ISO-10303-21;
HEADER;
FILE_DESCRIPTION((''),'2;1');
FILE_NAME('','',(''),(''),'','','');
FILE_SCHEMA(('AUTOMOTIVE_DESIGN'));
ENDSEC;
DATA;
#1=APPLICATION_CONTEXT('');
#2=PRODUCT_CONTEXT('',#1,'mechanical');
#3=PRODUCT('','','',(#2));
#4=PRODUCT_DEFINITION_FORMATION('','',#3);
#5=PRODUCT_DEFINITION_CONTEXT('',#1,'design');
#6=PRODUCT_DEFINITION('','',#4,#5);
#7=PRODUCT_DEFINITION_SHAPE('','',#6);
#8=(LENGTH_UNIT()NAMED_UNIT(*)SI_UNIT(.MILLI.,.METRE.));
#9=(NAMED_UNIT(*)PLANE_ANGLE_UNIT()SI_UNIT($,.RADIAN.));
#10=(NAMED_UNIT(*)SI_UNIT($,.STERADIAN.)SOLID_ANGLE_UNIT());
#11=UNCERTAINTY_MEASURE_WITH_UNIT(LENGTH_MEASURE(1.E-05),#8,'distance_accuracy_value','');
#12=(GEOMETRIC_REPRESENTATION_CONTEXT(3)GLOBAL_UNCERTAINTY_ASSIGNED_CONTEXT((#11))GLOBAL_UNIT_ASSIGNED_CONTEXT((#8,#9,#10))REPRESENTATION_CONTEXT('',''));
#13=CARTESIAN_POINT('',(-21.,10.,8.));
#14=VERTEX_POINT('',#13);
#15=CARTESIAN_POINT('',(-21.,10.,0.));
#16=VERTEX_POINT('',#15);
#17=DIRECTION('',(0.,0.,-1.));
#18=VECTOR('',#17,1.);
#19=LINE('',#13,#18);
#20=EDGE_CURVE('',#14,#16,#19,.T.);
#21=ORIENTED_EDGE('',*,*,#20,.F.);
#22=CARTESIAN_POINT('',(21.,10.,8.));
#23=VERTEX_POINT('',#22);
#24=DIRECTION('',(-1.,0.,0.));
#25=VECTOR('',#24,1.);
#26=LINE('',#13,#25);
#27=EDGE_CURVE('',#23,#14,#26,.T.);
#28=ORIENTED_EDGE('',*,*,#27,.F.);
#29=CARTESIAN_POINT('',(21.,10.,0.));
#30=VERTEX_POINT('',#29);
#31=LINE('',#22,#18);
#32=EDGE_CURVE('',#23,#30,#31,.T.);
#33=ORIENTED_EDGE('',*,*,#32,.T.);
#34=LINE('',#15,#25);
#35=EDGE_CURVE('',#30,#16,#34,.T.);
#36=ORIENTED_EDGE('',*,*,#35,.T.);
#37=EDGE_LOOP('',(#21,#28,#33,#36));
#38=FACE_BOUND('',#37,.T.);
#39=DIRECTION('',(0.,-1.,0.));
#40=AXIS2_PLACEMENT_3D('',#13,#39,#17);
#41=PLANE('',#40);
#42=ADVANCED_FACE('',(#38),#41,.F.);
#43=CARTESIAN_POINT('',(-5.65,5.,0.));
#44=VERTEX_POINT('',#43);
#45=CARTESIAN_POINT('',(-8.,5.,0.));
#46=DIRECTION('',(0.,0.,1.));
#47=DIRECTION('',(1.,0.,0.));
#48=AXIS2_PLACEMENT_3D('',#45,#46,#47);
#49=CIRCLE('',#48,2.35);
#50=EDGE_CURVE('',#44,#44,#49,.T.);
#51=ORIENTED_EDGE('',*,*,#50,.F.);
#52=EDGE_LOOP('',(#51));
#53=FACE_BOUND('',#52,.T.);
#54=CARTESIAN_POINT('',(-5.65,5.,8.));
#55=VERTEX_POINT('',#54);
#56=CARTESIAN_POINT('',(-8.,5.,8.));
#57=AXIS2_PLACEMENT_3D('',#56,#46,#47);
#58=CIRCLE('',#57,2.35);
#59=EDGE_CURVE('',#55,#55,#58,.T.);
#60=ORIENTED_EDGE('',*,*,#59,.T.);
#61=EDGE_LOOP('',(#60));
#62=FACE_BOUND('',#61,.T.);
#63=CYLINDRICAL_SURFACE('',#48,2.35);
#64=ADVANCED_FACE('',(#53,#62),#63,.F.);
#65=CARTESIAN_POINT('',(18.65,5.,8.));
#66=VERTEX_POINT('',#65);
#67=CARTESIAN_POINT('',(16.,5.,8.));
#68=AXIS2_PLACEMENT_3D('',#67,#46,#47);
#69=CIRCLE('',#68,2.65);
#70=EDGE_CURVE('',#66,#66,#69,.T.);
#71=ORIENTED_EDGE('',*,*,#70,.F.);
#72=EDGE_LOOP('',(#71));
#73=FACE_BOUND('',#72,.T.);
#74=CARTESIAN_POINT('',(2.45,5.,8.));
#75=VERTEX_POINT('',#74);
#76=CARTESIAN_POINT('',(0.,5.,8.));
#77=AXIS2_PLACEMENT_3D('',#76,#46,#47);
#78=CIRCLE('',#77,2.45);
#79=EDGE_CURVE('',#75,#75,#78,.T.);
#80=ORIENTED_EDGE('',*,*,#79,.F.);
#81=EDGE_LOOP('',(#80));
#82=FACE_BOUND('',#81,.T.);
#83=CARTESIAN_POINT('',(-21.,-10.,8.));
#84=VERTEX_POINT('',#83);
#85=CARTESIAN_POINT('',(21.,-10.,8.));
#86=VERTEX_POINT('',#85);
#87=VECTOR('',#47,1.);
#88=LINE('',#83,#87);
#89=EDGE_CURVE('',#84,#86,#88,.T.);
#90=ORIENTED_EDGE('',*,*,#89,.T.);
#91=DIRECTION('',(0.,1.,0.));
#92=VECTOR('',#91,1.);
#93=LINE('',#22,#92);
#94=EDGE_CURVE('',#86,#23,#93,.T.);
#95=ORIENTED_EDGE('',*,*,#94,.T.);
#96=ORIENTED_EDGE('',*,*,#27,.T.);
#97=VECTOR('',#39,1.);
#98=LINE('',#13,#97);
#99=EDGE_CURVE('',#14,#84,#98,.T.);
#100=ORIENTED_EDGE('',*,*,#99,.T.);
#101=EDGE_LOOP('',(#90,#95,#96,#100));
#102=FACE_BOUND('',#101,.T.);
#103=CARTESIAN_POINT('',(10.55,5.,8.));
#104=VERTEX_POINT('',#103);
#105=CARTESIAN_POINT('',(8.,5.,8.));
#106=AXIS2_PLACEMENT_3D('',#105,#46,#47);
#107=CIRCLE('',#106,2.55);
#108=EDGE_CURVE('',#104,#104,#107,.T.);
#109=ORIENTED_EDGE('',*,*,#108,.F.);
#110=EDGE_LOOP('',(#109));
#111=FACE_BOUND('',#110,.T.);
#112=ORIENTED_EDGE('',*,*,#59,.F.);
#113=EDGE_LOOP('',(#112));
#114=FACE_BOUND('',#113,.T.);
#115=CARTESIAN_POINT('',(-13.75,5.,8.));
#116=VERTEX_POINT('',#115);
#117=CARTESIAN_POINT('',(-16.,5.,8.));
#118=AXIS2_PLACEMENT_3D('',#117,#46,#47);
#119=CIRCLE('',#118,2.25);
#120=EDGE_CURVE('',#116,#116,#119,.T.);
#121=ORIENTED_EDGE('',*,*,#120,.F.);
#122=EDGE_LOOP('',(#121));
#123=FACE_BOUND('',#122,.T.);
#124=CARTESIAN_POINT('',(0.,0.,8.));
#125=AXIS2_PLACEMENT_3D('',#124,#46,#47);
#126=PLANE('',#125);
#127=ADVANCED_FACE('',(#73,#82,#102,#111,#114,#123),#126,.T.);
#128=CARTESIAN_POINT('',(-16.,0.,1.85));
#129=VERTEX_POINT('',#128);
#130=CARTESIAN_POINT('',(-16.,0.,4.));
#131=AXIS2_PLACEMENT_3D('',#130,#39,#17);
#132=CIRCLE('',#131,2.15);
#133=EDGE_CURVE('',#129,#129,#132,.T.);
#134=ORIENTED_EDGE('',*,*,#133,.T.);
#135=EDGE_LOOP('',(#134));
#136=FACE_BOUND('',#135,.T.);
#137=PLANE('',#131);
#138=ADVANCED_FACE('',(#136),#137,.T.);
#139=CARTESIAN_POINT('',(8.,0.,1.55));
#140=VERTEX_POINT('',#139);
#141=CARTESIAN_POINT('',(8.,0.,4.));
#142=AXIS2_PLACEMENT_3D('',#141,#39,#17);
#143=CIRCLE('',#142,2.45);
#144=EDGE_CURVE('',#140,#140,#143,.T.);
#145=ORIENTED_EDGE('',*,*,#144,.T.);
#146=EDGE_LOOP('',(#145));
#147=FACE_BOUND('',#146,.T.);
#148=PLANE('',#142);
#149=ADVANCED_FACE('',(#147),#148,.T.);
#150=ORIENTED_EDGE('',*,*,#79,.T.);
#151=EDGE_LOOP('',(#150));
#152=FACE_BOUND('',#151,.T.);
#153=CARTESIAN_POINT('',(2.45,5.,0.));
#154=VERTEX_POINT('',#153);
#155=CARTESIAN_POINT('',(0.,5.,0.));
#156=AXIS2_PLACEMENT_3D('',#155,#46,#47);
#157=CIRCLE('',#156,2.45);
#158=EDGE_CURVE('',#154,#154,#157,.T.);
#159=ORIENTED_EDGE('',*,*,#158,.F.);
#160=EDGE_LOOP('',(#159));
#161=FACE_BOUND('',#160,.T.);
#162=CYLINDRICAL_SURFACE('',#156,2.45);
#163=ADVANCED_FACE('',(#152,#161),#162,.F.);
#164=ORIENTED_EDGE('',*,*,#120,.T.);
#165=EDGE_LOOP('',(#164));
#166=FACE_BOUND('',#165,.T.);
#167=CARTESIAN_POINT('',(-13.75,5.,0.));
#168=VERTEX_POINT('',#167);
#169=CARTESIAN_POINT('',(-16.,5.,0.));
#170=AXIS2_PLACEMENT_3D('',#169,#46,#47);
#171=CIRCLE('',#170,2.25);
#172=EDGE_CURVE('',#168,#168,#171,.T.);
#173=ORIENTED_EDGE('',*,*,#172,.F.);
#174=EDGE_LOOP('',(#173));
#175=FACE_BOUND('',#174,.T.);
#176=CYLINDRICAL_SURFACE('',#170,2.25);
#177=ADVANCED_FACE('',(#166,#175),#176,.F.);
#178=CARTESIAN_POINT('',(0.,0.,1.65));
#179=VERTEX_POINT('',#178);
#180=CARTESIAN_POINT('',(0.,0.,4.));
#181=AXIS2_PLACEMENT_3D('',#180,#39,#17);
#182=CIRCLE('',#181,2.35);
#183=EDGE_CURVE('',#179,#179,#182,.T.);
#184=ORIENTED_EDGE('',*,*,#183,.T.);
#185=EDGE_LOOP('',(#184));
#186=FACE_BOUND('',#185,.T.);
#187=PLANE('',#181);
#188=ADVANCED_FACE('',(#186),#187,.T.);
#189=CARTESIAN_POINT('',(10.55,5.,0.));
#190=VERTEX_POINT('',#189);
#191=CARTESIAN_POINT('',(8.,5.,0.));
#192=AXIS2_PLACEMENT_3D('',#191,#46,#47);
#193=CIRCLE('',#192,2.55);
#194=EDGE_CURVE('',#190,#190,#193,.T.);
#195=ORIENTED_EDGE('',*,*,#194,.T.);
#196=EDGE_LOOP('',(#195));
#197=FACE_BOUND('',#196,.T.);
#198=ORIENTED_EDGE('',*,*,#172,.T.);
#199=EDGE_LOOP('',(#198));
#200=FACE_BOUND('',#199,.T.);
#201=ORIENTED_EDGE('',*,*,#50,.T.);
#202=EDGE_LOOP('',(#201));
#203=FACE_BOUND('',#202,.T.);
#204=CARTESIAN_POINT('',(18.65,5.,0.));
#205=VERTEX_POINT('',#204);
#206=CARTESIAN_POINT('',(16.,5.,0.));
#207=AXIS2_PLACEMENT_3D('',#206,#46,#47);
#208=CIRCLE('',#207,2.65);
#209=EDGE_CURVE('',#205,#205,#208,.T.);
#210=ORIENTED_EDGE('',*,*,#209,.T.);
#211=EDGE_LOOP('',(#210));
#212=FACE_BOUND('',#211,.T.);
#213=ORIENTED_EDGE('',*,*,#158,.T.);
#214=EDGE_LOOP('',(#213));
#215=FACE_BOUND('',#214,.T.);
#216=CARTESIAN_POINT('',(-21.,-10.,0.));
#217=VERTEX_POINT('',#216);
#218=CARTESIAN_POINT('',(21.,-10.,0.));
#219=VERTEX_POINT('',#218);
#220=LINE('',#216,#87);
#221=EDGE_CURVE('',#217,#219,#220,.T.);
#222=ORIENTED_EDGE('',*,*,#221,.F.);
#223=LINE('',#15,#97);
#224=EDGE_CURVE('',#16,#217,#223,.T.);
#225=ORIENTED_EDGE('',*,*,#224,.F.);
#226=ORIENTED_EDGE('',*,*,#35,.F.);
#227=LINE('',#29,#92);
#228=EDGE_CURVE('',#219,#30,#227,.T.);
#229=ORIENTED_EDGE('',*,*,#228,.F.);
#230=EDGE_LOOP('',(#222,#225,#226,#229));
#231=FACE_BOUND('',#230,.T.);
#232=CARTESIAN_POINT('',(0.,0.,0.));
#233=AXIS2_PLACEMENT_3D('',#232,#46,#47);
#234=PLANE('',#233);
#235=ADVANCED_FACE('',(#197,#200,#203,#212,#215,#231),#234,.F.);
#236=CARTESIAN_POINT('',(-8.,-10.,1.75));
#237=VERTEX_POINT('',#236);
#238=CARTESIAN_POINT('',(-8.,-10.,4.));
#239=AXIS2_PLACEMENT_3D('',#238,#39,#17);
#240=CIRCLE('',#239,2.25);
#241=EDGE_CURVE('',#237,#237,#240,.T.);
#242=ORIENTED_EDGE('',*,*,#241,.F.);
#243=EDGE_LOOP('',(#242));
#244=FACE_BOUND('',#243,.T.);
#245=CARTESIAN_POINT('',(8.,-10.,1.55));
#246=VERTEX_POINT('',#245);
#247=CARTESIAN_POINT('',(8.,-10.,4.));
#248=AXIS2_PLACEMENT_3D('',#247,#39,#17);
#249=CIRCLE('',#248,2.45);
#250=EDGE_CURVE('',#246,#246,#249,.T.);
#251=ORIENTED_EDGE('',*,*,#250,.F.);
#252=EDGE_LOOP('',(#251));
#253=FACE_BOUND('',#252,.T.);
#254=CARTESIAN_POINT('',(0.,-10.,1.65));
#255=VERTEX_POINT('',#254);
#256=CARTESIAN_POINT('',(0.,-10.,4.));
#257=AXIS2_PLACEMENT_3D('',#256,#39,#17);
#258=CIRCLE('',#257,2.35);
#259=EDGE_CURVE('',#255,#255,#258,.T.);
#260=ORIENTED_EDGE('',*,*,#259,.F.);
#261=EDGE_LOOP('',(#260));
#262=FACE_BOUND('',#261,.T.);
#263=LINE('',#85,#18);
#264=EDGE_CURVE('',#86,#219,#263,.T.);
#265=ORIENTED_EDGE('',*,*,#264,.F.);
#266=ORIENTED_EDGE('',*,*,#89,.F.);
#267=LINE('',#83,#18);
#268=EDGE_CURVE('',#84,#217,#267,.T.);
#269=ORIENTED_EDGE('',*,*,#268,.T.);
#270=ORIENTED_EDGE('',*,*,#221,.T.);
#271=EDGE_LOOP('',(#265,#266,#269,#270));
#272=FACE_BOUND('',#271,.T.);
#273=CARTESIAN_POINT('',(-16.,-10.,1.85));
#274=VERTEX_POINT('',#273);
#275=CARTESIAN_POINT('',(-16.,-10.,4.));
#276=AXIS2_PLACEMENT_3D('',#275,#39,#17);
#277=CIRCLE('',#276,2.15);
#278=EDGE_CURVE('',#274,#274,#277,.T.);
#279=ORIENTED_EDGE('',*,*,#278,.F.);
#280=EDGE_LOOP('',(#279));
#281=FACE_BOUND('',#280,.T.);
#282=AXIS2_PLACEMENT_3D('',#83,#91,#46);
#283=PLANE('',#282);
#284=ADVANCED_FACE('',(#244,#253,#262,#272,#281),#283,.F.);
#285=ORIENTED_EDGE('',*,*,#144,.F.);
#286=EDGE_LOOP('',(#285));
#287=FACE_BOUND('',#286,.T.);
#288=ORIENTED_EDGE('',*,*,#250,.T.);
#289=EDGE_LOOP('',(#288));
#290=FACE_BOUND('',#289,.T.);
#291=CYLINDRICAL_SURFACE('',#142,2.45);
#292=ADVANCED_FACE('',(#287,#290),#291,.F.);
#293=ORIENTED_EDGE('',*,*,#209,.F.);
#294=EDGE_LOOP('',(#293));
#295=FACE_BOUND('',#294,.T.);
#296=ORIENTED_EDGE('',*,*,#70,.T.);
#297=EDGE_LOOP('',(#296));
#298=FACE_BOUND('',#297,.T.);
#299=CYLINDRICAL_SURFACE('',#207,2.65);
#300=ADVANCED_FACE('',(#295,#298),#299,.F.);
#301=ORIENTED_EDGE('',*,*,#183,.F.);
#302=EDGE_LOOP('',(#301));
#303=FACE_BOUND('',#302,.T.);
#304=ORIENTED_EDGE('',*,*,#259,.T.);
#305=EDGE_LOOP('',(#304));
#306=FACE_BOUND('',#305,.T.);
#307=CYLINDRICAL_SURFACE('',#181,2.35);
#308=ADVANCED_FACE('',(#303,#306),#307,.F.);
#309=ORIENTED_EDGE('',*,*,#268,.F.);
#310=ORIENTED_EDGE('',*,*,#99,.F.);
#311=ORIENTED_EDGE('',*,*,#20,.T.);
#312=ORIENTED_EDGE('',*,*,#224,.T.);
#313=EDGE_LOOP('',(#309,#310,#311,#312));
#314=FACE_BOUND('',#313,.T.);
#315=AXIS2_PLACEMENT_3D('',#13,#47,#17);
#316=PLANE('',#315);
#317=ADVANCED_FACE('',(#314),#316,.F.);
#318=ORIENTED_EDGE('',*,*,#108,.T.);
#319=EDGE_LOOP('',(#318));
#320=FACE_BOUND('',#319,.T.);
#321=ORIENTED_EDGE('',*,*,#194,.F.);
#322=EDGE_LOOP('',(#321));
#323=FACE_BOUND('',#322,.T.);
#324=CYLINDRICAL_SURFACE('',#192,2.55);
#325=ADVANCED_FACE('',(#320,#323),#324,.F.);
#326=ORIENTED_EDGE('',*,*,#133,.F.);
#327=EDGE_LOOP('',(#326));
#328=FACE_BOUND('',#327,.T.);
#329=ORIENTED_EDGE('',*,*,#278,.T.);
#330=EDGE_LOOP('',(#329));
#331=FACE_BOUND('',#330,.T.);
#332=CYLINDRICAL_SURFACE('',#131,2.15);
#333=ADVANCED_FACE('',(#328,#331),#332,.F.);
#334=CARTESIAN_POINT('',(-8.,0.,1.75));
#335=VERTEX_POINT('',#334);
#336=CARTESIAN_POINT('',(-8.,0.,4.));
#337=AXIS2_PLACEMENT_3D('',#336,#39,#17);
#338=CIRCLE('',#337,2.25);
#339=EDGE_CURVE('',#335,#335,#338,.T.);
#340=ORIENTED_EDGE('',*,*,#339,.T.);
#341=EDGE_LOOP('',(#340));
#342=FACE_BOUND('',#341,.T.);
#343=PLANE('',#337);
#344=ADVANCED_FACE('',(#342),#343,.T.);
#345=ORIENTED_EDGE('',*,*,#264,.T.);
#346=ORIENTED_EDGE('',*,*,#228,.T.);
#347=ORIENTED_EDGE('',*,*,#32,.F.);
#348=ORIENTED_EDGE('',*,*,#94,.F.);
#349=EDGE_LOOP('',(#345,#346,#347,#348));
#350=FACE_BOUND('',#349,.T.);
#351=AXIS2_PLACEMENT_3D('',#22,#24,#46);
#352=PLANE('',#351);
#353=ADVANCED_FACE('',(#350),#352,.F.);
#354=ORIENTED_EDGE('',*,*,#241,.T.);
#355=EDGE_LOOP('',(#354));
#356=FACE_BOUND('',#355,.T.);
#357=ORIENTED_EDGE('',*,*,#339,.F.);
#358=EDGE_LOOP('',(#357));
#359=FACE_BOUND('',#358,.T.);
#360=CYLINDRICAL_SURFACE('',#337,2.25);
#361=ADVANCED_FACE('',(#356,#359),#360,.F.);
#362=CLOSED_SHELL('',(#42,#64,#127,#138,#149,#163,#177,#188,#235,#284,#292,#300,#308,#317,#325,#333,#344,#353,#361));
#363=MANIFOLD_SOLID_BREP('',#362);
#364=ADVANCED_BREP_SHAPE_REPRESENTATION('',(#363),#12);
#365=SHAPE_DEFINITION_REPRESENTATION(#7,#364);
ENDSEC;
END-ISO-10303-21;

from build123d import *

# Parameters (mm, degrees)
SKETCH_1_W          = 42
SKETCH_1_H          = 20
EXTRUDE_1_DEPTH     = 8
SKETCH_2_R          = 2.25
SKETCH_2_R_2        = 2.35
SKETCH_2_R_3        = 2.45
SKETCH_2_R_4        = 2.55
SKETCH_2_R_5        = 2.65
CUT_EXTRUDE_1_DEPTH = 9
SKETCH_3_R          = 2.15
SKETCH_3_R_2        = 2.25
SKETCH_3_R_3        = 2.35
SKETCH_3_R_4        = 2.45
CUT_EXTRUDE_2_DEPTH = 10


with BuildPart() as part:
    # ｽｹｯﾁ1 → ﾎﾞｽ - 押し出し1 (new body)
    with BuildSketch(Plane.XY):
        Rectangle(SKETCH_1_W, SKETCH_1_H)
    extrude(amount=EXTRUDE_1_DEPTH)

    # ｽｹｯﾁ2 → ｶｯﾄ - 押し出し1 (cut, through all)
    with BuildSketch(Plane.XY.offset(8)):
        with Locations((-16, 5)):
            Circle(SKETCH_2_R)
        with Locations((-8, 5)):
            Circle(SKETCH_2_R_2)
        with Locations((0, 5)):
            Circle(SKETCH_2_R_3)
        with Locations((8, 5)):
            Circle(SKETCH_2_R_4)
        with Locations((16, 5)):
            Circle(SKETCH_2_R_5)
    extrude(amount=-CUT_EXTRUDE_1_DEPTH, mode=Mode.SUBTRACT)

    # ｽｹｯﾁ3 → ｶｯﾄ - 押し出し2 (cut)
    with BuildSketch(Plane.XZ.offset(10)):
        with Locations((-16, 4)):
            Circle(SKETCH_3_R)
        with Locations((-8, 4)):
            Circle(SKETCH_3_R_2)
        with Locations((0, 4)):
            Circle(SKETCH_3_R_3)
        with Locations((8, 4)):
            Circle(SKETCH_3_R_4)
    extrude(amount=-CUT_EXTRUDE_2_DEPTH, mode=Mode.SUBTRACT)


solid = part.part
